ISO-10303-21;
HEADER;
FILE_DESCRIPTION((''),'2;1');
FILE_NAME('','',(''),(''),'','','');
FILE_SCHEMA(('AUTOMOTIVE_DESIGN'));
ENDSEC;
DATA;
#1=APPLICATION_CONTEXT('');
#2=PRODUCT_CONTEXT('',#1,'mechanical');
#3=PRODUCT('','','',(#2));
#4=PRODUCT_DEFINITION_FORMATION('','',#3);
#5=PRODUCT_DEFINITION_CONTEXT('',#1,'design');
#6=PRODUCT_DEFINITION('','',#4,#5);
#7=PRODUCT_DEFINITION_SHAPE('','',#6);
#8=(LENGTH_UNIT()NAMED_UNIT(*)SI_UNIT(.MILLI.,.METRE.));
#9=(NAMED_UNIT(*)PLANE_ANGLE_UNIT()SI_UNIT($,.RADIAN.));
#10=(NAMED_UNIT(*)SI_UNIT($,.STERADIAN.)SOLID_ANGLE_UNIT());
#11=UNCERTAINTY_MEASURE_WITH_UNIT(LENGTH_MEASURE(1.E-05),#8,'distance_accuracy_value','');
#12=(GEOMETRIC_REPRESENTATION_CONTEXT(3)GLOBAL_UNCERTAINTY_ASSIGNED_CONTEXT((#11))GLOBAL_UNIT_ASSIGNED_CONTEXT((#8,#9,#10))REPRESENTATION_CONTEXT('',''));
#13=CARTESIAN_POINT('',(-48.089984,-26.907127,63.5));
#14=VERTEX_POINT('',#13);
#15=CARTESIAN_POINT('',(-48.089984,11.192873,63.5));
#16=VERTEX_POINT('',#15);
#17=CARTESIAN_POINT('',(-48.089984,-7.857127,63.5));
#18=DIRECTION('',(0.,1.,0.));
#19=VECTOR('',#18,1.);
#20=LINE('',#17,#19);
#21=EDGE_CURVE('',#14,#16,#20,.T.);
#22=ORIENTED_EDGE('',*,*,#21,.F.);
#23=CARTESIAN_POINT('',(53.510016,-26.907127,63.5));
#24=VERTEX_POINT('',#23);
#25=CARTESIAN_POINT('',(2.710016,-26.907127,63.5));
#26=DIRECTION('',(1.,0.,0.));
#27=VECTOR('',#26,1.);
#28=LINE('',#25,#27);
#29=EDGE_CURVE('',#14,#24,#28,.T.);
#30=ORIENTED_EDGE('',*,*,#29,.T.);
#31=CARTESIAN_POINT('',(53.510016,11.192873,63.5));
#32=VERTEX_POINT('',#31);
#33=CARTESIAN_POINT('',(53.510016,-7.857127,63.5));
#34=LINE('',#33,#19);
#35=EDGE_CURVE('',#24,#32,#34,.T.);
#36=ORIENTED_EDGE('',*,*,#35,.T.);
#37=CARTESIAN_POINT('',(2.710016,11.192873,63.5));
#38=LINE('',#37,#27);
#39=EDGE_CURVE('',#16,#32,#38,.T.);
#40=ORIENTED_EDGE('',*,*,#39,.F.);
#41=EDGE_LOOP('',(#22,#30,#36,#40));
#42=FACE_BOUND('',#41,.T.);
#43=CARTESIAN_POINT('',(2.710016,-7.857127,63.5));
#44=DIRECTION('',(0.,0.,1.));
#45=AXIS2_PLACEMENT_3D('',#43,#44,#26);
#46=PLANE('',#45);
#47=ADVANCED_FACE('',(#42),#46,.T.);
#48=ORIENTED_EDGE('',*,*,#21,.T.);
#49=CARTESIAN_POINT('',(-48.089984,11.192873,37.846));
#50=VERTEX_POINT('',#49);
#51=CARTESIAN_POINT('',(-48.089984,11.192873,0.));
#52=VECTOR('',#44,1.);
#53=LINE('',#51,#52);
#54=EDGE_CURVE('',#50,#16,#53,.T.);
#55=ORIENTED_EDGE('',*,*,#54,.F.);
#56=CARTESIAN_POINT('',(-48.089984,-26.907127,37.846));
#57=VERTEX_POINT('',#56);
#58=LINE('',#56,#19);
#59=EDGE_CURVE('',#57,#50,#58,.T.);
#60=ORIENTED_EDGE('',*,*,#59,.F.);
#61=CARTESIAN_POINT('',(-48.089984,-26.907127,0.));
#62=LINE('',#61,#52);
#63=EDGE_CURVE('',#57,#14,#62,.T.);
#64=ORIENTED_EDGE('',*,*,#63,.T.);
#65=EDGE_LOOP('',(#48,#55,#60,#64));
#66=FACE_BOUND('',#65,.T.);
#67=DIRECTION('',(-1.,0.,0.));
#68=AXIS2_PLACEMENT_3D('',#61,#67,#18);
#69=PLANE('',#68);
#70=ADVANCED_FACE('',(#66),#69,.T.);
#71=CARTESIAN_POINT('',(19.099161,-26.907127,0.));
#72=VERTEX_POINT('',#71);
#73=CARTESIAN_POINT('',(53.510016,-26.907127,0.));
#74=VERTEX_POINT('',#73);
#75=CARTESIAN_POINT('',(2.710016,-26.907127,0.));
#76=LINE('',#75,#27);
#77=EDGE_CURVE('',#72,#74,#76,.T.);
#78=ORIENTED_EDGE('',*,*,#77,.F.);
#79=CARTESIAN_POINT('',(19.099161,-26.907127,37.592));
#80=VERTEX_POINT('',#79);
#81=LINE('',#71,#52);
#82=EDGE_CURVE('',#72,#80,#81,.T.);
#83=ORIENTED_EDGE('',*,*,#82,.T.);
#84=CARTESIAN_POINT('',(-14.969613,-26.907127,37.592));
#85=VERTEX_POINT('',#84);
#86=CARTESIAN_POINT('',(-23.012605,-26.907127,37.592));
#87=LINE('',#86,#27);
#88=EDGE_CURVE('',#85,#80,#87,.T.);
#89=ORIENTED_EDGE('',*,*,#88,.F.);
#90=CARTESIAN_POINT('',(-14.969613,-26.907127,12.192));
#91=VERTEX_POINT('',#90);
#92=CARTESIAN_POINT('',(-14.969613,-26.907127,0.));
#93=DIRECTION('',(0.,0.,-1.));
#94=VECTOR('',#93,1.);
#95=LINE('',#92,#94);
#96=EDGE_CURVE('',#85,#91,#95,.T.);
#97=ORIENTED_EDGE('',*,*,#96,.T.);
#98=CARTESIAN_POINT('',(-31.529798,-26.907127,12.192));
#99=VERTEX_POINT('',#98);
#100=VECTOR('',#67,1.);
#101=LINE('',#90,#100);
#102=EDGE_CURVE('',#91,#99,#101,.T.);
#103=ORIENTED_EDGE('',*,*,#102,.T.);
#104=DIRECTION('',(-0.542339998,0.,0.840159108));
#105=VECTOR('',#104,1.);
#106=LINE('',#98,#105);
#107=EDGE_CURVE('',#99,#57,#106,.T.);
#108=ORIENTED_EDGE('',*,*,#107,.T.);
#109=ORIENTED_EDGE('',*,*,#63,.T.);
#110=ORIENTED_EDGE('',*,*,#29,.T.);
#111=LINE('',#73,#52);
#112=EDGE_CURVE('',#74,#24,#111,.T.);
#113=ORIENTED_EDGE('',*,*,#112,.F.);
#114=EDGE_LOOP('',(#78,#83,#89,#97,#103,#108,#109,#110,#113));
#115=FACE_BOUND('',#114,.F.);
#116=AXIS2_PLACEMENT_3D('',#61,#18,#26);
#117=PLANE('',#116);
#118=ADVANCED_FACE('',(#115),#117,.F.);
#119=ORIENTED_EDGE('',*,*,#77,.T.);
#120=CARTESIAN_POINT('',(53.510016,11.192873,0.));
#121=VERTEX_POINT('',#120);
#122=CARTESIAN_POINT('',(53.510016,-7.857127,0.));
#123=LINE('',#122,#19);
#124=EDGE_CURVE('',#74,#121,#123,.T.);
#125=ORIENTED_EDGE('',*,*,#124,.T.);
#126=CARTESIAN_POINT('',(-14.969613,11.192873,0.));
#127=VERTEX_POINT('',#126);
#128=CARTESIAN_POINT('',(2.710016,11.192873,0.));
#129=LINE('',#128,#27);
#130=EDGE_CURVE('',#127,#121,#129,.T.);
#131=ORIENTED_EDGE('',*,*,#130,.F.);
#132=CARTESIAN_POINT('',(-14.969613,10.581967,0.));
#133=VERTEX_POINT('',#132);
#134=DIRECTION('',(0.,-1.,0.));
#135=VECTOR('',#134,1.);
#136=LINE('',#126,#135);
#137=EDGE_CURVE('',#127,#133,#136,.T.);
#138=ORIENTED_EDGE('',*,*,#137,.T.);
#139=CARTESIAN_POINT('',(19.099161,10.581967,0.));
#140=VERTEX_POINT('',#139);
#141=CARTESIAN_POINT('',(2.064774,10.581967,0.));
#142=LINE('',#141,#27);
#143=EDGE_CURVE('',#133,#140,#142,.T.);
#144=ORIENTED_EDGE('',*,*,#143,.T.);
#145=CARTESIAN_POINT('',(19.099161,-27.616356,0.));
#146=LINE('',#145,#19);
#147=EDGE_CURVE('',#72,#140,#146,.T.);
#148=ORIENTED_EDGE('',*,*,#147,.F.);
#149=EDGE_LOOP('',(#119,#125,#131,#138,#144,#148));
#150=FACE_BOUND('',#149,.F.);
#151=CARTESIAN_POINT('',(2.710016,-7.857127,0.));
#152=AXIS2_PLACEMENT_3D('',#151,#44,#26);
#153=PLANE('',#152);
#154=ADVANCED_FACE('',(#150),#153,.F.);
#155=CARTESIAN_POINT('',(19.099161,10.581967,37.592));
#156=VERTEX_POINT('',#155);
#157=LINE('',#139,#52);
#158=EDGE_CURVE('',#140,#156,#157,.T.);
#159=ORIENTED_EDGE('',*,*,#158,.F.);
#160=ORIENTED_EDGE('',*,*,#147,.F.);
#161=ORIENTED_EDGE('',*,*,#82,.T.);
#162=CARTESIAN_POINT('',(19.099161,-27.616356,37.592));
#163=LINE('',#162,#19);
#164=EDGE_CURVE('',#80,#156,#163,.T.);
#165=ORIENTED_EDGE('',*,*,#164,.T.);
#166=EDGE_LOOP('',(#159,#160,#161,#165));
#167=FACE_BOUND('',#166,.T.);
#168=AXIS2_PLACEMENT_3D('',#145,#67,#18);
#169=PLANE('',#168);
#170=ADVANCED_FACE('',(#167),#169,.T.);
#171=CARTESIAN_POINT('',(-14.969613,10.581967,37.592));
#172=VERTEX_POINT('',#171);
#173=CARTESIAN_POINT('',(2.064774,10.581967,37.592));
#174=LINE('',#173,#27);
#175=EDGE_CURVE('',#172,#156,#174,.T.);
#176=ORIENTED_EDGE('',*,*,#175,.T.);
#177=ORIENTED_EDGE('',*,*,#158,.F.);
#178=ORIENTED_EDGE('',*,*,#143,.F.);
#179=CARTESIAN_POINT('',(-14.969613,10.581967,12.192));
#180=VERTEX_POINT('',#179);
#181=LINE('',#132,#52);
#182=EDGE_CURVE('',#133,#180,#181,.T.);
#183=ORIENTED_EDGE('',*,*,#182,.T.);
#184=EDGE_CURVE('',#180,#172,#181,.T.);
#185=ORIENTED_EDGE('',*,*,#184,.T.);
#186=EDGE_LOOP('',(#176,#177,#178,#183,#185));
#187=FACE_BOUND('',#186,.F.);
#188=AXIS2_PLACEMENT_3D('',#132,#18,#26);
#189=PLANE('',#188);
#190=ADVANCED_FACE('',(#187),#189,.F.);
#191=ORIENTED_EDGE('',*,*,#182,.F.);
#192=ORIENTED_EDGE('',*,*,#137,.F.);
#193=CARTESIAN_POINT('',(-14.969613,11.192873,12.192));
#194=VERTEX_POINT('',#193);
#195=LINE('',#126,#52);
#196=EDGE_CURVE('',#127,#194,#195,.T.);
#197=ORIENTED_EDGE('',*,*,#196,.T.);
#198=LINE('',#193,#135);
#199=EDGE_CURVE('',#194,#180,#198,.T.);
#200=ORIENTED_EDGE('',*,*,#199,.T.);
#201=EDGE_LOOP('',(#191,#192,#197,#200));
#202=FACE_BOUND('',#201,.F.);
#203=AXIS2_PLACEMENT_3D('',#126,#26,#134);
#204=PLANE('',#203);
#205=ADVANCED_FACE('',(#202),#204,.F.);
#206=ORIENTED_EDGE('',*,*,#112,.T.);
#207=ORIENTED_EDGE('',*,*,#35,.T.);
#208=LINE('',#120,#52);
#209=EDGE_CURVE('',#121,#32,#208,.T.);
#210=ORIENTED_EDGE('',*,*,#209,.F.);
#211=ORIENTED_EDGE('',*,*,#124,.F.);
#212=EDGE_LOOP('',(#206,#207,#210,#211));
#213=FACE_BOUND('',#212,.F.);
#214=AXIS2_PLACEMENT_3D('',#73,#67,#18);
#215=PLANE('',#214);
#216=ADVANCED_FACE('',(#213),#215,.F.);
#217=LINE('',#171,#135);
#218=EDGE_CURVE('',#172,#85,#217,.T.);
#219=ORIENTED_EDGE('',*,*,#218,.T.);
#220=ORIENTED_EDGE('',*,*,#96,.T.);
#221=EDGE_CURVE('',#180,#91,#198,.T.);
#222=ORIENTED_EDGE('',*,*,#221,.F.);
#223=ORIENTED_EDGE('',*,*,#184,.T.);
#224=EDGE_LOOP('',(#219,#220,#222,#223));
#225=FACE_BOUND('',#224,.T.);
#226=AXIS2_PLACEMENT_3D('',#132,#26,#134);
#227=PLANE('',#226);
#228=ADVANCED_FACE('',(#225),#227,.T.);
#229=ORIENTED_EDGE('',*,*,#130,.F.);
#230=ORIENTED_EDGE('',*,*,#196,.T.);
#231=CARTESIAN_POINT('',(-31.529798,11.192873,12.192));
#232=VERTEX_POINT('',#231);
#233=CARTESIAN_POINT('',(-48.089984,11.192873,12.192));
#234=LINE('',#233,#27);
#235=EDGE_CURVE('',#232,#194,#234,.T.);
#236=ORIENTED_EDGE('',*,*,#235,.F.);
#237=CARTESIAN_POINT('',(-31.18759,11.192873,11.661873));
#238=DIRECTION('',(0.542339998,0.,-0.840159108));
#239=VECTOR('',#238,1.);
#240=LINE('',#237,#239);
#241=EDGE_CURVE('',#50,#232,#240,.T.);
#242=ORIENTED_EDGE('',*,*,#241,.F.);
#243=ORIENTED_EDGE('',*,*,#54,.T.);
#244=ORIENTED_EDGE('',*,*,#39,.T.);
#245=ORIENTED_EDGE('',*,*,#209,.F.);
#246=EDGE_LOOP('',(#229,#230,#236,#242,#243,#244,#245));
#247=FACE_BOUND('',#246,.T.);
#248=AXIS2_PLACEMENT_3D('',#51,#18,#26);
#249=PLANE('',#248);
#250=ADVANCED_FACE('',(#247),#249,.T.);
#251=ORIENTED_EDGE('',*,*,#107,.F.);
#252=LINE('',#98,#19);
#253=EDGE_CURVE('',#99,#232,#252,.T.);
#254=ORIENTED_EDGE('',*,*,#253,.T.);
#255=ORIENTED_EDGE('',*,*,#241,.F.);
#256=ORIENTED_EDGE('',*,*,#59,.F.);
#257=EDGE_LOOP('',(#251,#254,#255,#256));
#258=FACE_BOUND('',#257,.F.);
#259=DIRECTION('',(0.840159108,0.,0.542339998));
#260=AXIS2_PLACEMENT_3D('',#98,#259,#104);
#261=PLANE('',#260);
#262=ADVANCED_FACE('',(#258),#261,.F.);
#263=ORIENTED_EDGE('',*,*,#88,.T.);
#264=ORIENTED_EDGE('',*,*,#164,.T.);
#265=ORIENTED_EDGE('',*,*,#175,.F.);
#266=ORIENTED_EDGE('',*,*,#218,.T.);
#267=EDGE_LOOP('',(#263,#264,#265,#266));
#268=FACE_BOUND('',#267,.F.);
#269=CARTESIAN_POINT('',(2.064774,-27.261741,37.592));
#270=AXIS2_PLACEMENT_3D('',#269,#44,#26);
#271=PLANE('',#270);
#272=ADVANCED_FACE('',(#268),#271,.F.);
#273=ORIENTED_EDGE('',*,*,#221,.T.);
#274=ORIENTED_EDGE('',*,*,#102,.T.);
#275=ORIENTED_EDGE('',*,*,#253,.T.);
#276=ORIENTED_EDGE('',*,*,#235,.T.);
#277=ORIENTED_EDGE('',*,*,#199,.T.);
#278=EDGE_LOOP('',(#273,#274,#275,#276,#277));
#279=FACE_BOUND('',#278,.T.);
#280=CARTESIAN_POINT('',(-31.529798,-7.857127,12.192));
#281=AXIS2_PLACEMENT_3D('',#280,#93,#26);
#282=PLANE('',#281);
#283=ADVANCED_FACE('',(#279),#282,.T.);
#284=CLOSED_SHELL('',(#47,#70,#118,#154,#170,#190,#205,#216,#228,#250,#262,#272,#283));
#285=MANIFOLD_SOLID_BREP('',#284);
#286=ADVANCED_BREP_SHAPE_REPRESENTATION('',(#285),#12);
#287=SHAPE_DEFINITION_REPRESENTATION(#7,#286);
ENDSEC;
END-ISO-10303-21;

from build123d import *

# Parameters (mm, degrees)
F0_W     = 101.6
F0_H     = 38.1
F2_DEPTH = 63.5
F1_W     = 34.0687744319
F1_H     = 0.7092284867
F1_H_2   = 37.4890945023
F3_DEPTH = 37.592
F5_DEPTH = 12.192
F7_DEPTH = 50.8


with BuildPart() as f2:
    # F0 (on Top) → F2 (new body)
    with BuildSketch(Plane.XY):
        with Locations((2.7100164443, -7.8571270815)):
            Rectangle(F0_W, F0_H)
    extrude(amount=F2_DEPTH)

    # F1 (on face) → F3 (cut)
    with BuildSketch(Plane.XY):
        with Locations((2.0647738129, -27.2617413248)):
            Rectangle(F1_W, F1_H)
        with Locations((2.0647738129, -8.1625798303)):
            Rectangle(F1_W, F1_H_2)
    extrude(amount=F3_DEPTH, mode=Mode.SUBTRACT)

    # F4 (on face) → F5 (cut)
    with BuildSketch(Plane(origin=(0, 0, 0), x_dir=(1, 0, 0), z_dir=(0, 0, -1))):
        Polygon((-48.0899835557, -11.1928729185), (-14.9696134031, -11.1928729185), (-14.9696134031, -10.5819674209), (-14.9696134031, 26.9071270815), (-48.0899835557, 26.9071270815), align=None)
    extrude(amount=-F5_DEPTH, mode=Mode.SUBTRACT)

    # F6 (on face) → F7 (cut)
    with BuildSketch(Plane.XZ.offset(26.9071270815)):
        Polygon((-48.0899835557, 12.192), (-31.5297984794, 12.192), (-48.0899835557, 37.846), align=None)
    extrude(amount=-F7_DEPTH, mode=Mode.SUBTRACT)


solid = f2.part
